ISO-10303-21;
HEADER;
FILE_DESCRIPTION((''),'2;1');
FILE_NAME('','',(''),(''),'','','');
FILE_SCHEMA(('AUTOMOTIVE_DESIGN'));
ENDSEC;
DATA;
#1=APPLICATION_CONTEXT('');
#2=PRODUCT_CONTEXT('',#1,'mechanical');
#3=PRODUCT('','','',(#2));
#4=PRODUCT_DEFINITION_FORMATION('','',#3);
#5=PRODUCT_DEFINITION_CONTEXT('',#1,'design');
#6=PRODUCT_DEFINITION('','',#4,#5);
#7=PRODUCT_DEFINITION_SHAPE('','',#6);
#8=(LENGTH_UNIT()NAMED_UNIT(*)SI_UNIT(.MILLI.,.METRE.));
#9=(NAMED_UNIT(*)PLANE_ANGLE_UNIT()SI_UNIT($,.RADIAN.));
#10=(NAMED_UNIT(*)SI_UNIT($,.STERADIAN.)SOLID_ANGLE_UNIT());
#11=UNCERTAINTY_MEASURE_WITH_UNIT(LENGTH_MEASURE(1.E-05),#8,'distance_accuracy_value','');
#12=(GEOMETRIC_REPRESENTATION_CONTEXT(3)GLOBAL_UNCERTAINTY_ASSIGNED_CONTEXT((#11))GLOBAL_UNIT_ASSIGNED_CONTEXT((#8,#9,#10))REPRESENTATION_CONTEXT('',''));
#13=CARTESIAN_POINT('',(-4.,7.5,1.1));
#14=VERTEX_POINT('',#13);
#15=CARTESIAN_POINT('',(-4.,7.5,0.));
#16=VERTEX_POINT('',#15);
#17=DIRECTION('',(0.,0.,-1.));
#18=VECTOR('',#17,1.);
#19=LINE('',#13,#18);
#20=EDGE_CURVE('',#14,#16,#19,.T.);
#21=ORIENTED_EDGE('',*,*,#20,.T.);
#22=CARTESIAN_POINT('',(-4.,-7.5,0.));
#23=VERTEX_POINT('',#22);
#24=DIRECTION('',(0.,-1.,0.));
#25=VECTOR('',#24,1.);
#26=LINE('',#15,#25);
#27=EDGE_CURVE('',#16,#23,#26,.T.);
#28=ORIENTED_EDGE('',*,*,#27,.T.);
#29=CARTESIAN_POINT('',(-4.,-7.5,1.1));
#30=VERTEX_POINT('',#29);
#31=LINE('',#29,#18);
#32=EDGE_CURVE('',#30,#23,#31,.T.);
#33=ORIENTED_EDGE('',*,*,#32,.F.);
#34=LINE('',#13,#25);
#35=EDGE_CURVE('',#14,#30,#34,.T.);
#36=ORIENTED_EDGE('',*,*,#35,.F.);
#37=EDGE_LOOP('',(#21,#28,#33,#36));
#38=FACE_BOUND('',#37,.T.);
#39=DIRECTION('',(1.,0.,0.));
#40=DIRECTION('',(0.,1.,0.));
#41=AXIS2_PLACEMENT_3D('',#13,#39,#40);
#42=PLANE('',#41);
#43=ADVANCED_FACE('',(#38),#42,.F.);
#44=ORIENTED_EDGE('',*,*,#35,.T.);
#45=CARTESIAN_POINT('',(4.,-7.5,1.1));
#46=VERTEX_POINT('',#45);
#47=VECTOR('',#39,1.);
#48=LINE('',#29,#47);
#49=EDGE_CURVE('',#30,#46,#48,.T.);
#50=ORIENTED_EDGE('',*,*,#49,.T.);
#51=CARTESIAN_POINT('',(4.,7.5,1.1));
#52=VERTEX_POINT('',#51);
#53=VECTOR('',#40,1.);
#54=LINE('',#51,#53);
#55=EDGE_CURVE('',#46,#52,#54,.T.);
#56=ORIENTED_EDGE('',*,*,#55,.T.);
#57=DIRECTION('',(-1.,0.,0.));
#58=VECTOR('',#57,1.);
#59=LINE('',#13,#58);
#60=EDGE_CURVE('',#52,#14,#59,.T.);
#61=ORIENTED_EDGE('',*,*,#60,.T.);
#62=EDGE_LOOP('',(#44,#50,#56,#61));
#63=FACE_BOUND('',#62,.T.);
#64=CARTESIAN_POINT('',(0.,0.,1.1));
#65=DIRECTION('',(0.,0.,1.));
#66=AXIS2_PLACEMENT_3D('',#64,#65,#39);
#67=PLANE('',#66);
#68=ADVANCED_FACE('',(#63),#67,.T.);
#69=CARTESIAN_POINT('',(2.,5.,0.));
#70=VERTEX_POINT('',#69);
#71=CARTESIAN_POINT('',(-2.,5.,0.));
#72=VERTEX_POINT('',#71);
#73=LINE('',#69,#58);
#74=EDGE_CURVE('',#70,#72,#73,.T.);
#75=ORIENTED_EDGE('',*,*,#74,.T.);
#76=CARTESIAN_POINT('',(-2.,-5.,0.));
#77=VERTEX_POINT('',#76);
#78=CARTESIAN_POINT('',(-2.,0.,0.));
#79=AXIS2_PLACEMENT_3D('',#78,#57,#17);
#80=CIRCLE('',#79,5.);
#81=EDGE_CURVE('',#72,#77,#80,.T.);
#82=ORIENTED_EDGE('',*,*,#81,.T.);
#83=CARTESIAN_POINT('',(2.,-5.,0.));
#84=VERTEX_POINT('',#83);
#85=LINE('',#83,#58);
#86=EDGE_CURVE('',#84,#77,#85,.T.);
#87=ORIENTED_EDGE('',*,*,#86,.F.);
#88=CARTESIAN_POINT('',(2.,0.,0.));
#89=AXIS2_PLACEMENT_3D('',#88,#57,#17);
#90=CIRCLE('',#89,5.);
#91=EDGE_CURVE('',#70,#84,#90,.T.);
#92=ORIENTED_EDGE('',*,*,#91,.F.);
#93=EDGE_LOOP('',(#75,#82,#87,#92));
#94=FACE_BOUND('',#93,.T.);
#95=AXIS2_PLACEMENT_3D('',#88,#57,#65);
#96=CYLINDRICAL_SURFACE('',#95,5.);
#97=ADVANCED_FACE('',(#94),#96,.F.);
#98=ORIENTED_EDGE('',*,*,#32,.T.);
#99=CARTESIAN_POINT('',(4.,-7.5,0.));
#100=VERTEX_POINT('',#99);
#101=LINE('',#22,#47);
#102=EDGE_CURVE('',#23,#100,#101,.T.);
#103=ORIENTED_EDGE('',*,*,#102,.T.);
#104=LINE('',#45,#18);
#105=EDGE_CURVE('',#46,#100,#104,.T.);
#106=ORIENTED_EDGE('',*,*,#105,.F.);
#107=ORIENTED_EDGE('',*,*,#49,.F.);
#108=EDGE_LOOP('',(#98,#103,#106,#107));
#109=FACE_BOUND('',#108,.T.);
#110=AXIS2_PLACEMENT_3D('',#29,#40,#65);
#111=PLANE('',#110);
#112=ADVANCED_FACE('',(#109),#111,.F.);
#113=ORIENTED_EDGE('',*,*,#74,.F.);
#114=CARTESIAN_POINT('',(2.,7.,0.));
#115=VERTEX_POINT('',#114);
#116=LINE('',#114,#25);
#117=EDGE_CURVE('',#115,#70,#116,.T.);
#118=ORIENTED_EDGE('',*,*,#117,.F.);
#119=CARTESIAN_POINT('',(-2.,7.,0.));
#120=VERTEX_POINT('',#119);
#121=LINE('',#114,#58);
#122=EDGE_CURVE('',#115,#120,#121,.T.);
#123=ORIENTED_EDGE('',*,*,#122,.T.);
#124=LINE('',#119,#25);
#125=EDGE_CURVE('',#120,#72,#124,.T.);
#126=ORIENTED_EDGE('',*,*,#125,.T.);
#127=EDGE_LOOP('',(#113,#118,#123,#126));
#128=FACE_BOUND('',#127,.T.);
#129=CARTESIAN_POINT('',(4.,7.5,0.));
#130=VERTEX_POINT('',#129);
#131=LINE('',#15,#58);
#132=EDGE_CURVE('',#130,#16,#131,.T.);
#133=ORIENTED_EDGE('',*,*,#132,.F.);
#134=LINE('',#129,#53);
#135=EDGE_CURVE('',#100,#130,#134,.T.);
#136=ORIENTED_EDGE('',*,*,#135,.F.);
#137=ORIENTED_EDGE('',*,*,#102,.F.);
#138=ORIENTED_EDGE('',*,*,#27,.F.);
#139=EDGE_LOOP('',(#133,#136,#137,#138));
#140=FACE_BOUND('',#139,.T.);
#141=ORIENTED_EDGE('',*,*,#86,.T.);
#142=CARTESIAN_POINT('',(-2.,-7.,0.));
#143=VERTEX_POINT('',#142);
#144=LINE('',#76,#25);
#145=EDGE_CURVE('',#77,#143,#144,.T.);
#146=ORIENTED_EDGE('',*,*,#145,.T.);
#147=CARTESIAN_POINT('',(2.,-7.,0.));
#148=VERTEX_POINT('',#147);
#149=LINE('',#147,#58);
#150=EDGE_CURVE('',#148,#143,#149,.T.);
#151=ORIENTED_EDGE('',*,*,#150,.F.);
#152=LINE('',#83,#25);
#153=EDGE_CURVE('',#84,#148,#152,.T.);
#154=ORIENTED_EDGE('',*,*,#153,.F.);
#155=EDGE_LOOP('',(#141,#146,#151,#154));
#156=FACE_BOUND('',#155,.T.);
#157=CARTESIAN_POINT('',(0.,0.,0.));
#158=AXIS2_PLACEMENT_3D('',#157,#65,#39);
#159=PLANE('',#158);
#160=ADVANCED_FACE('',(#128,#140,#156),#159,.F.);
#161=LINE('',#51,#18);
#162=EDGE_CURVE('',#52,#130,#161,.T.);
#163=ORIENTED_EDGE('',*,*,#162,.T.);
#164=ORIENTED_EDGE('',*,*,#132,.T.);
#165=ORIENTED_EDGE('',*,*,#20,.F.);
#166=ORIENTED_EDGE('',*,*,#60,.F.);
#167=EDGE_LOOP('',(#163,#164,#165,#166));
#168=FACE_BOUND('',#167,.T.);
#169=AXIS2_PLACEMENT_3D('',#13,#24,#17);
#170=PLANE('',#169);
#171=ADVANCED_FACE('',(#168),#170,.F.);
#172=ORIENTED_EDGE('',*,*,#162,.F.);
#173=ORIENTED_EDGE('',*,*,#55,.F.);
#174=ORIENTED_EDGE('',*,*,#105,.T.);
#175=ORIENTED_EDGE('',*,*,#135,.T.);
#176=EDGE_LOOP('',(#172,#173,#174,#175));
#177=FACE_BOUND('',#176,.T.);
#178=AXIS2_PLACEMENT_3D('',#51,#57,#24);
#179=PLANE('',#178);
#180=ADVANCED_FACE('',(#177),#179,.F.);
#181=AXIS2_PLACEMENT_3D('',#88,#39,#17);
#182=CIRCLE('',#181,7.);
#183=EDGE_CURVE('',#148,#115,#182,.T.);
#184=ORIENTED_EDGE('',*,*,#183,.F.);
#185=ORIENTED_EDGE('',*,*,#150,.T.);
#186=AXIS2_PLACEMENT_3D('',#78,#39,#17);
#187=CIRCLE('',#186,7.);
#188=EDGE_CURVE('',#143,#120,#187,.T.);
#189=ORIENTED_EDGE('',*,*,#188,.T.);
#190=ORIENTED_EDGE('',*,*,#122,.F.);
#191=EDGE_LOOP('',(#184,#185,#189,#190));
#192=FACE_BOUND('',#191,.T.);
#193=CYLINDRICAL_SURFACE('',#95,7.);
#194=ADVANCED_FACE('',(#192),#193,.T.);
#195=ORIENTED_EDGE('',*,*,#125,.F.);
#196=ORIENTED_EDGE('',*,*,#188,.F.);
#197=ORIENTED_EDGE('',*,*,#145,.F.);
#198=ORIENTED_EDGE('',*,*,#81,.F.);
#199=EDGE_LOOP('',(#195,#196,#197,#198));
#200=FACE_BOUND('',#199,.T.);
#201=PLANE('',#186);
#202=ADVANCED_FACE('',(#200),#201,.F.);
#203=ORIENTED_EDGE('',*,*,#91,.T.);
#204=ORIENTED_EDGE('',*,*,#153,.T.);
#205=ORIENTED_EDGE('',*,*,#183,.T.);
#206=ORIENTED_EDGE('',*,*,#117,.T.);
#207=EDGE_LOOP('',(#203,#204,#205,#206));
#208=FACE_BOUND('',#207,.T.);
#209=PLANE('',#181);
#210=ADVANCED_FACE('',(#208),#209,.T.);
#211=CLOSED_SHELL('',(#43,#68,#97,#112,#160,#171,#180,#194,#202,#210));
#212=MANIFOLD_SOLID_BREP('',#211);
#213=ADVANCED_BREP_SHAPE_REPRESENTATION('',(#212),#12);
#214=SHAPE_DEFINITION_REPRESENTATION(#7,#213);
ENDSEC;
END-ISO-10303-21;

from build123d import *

# Parameters (mm, degrees)
CROQUIS1_W              = 8
CROQUIS1_H              = 15
SALIENTE_EXTRUIR6_DEPTH = 1.1
SALIENTE_EXTRUIR7_DEPTH = 2


with BuildPart() as part:
    # Croquis1 → Saliente-Extruir6 (new body)
    with BuildSketch(Plane.XY):
        Rectangle(CROQUIS1_W, CROQUIS1_H)
    extrude(amount=SALIENTE_EXTRUIR6_DEPTH)

    # Croquis8 → Saliente-Extruir7 (add, symmetric)
    with BuildSketch(Plane(origin=(0, 0, 0), x_dir=(0, 0, -1), z_dir=(1, 0, 0))):
        with BuildLine():
            Line((0, 7), (0, 5))
            ThreePointArc((0, 5), (5, 0), (0, -5))
            Line((0, -5), (0, -7))
            ThreePointArc((0, -7), (7, 0), (0, 7))
        make_face()
    extrude(amount=SALIENTE_EXTRUIR7_DEPTH, both=True)


solid = part.part
